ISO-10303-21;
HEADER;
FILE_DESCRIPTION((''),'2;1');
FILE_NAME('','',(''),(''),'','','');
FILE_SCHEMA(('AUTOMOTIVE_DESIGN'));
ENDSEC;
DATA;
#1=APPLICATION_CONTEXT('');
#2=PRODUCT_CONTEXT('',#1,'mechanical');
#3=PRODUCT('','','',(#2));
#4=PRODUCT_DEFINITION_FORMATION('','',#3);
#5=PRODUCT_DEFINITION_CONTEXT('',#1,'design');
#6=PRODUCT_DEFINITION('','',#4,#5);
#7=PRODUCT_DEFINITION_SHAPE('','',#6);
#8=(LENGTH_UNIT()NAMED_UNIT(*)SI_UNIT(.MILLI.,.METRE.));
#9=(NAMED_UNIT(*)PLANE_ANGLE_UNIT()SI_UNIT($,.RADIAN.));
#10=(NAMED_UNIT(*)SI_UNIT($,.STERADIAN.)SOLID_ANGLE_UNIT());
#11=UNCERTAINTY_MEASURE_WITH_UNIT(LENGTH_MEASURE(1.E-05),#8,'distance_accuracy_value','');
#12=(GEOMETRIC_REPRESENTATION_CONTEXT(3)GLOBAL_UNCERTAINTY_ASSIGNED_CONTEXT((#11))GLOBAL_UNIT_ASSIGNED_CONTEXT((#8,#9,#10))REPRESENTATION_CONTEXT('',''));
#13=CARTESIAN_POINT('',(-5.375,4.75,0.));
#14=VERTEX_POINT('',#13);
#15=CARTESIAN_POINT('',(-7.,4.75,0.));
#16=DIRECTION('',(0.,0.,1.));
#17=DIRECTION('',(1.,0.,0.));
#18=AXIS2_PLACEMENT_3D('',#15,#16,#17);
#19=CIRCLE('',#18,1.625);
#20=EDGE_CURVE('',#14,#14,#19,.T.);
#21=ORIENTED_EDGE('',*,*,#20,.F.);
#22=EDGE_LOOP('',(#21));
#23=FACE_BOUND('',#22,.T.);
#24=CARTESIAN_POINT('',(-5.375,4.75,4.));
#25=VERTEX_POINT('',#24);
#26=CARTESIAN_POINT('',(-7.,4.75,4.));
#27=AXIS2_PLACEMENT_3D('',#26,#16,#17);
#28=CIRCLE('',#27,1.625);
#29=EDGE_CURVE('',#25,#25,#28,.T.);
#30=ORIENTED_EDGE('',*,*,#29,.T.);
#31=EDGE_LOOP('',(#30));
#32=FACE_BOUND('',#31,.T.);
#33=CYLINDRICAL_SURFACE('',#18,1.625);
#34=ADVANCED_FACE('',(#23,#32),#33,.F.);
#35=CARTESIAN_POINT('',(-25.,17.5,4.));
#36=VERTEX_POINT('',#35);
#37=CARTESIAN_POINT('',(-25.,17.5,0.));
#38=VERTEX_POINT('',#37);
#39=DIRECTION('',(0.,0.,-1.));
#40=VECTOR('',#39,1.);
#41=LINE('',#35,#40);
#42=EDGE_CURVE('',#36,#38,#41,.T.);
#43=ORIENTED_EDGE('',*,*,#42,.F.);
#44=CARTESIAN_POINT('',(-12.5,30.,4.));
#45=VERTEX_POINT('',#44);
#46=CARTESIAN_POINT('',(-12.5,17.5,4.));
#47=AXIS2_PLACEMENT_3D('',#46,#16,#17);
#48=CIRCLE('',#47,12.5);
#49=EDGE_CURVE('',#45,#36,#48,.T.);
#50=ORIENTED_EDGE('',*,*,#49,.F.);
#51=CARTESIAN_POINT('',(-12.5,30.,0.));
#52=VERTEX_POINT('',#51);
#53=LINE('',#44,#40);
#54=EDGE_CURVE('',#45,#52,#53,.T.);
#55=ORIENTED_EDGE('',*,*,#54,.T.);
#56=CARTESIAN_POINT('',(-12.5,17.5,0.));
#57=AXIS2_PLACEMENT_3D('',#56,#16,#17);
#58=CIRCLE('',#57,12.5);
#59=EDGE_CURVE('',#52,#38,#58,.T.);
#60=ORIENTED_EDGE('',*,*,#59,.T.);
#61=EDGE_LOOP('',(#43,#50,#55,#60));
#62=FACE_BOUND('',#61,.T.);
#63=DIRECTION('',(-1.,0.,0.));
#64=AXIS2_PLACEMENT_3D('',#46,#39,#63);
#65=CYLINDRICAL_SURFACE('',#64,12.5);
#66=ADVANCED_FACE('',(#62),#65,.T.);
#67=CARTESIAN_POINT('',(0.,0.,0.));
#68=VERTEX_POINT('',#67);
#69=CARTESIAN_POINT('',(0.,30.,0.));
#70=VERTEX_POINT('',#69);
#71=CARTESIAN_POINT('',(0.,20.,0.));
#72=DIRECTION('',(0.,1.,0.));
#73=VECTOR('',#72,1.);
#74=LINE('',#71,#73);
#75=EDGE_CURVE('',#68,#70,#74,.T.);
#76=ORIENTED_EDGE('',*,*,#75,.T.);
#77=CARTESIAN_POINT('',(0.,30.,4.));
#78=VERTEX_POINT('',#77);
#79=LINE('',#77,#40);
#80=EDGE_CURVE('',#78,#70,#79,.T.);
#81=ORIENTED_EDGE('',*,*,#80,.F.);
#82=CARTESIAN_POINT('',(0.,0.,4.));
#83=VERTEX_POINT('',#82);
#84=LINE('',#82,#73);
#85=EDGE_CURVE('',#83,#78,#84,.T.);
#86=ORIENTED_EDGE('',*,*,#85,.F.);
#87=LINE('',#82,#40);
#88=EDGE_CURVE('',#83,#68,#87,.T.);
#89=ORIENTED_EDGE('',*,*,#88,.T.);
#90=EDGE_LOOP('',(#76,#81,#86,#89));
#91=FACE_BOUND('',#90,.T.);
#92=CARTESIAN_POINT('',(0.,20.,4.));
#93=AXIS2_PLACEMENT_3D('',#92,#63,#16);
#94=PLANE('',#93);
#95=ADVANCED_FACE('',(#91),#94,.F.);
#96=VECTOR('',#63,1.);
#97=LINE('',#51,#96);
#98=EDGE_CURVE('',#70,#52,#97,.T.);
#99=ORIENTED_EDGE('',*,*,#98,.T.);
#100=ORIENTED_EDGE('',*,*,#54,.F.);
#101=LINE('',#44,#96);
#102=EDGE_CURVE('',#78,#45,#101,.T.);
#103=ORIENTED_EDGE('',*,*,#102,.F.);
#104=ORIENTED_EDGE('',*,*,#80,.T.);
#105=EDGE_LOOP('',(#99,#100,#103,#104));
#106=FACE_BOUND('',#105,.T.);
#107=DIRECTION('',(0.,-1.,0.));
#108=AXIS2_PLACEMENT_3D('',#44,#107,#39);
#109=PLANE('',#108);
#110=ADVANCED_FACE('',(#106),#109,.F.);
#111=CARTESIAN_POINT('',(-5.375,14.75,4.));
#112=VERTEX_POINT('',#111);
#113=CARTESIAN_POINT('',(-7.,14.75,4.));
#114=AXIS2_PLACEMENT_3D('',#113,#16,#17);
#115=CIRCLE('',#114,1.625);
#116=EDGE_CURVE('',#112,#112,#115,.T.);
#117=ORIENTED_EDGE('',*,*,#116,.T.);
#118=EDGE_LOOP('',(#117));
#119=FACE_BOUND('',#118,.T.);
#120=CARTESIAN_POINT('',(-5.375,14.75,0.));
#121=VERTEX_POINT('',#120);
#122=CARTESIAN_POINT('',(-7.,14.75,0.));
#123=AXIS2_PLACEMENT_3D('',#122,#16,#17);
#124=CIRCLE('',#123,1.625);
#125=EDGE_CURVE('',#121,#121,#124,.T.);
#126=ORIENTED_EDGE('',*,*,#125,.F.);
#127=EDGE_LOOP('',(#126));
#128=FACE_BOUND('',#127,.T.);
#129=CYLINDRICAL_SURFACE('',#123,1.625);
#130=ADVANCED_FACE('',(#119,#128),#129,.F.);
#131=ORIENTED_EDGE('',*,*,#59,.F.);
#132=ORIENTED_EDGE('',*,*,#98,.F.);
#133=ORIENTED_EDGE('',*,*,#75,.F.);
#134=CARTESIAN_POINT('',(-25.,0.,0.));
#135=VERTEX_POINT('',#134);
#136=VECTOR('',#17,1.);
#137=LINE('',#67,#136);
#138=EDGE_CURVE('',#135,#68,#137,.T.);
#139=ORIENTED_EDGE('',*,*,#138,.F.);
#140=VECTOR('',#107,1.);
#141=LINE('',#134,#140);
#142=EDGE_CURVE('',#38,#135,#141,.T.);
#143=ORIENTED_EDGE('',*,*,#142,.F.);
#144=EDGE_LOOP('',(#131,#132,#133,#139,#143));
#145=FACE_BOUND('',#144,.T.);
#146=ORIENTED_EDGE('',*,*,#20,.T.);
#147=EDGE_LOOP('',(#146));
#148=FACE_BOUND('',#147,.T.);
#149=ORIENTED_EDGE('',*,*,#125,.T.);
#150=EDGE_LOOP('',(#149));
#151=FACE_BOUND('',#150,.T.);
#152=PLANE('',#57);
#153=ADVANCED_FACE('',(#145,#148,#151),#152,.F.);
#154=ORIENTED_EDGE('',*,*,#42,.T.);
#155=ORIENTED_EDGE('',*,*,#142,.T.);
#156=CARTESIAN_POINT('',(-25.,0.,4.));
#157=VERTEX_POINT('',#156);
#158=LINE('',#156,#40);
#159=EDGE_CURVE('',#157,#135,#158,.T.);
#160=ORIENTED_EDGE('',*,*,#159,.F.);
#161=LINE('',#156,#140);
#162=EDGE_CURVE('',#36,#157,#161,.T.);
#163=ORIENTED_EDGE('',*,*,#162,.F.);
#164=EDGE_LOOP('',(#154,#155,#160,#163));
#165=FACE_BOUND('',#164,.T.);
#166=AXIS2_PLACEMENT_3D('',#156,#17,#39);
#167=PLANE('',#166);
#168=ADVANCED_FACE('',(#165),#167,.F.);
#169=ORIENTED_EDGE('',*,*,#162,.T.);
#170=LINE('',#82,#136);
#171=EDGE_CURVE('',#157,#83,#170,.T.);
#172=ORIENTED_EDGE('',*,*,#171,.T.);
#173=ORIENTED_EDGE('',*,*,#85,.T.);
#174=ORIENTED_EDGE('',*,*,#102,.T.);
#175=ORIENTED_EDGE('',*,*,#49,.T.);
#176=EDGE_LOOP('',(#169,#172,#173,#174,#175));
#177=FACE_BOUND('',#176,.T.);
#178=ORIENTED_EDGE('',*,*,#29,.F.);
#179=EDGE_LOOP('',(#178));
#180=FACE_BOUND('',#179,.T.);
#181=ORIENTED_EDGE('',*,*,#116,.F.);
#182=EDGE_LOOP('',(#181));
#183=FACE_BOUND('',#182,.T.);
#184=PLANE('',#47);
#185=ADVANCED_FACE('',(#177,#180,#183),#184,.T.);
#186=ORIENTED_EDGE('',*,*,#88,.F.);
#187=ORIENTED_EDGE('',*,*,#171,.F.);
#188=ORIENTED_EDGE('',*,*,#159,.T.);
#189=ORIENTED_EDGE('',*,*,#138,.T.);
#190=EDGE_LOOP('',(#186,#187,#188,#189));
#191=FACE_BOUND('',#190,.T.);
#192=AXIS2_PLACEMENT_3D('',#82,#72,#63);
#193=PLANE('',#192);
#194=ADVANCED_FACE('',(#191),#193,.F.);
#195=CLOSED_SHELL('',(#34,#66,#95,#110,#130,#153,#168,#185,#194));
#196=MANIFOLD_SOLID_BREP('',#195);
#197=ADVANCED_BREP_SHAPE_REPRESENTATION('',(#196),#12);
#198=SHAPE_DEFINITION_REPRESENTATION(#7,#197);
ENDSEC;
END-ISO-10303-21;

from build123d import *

# Parameters (mm, degrees)
BOSS_EXTRUDE1_DEPTH = 4
SKETCH2_R           = 1.625
CUT_EXTRUDE1_DEPTH  = 40.255572853


with BuildPart() as part:
    # Sketch1 → Boss-Extrude1 (new body)
    with BuildSketch(Plane.XY):
        with BuildLine():
            Line((0, 20), (0, 30))
            Line((0, 30), (-12.5, 30))
            ThreePointArc((-12.5, 30), (-21.338834765, 26.338834765), (-25, 17.5))
            Line((-25, 17.5), (-25, 0))
            Line((-25, 0), (0, 0))
            Line((0, 0), (0, 20))
        make_face()
    extrude(amount=BOSS_EXTRUDE1_DEPTH)

    # Sketch2 → Cut-Extrude1 (cut, through all)
    with BuildSketch(Plane.XY.offset(4)):
        with Locations((-7, 14.75)):
            Circle(SKETCH2_R)
        with Locations((-7, 4.75)):
            Circle(SKETCH2_R)
    extrude(amount=-CUT_EXTRUDE1_DEPTH, mode=Mode.SUBTRACT)


solid = part.part
